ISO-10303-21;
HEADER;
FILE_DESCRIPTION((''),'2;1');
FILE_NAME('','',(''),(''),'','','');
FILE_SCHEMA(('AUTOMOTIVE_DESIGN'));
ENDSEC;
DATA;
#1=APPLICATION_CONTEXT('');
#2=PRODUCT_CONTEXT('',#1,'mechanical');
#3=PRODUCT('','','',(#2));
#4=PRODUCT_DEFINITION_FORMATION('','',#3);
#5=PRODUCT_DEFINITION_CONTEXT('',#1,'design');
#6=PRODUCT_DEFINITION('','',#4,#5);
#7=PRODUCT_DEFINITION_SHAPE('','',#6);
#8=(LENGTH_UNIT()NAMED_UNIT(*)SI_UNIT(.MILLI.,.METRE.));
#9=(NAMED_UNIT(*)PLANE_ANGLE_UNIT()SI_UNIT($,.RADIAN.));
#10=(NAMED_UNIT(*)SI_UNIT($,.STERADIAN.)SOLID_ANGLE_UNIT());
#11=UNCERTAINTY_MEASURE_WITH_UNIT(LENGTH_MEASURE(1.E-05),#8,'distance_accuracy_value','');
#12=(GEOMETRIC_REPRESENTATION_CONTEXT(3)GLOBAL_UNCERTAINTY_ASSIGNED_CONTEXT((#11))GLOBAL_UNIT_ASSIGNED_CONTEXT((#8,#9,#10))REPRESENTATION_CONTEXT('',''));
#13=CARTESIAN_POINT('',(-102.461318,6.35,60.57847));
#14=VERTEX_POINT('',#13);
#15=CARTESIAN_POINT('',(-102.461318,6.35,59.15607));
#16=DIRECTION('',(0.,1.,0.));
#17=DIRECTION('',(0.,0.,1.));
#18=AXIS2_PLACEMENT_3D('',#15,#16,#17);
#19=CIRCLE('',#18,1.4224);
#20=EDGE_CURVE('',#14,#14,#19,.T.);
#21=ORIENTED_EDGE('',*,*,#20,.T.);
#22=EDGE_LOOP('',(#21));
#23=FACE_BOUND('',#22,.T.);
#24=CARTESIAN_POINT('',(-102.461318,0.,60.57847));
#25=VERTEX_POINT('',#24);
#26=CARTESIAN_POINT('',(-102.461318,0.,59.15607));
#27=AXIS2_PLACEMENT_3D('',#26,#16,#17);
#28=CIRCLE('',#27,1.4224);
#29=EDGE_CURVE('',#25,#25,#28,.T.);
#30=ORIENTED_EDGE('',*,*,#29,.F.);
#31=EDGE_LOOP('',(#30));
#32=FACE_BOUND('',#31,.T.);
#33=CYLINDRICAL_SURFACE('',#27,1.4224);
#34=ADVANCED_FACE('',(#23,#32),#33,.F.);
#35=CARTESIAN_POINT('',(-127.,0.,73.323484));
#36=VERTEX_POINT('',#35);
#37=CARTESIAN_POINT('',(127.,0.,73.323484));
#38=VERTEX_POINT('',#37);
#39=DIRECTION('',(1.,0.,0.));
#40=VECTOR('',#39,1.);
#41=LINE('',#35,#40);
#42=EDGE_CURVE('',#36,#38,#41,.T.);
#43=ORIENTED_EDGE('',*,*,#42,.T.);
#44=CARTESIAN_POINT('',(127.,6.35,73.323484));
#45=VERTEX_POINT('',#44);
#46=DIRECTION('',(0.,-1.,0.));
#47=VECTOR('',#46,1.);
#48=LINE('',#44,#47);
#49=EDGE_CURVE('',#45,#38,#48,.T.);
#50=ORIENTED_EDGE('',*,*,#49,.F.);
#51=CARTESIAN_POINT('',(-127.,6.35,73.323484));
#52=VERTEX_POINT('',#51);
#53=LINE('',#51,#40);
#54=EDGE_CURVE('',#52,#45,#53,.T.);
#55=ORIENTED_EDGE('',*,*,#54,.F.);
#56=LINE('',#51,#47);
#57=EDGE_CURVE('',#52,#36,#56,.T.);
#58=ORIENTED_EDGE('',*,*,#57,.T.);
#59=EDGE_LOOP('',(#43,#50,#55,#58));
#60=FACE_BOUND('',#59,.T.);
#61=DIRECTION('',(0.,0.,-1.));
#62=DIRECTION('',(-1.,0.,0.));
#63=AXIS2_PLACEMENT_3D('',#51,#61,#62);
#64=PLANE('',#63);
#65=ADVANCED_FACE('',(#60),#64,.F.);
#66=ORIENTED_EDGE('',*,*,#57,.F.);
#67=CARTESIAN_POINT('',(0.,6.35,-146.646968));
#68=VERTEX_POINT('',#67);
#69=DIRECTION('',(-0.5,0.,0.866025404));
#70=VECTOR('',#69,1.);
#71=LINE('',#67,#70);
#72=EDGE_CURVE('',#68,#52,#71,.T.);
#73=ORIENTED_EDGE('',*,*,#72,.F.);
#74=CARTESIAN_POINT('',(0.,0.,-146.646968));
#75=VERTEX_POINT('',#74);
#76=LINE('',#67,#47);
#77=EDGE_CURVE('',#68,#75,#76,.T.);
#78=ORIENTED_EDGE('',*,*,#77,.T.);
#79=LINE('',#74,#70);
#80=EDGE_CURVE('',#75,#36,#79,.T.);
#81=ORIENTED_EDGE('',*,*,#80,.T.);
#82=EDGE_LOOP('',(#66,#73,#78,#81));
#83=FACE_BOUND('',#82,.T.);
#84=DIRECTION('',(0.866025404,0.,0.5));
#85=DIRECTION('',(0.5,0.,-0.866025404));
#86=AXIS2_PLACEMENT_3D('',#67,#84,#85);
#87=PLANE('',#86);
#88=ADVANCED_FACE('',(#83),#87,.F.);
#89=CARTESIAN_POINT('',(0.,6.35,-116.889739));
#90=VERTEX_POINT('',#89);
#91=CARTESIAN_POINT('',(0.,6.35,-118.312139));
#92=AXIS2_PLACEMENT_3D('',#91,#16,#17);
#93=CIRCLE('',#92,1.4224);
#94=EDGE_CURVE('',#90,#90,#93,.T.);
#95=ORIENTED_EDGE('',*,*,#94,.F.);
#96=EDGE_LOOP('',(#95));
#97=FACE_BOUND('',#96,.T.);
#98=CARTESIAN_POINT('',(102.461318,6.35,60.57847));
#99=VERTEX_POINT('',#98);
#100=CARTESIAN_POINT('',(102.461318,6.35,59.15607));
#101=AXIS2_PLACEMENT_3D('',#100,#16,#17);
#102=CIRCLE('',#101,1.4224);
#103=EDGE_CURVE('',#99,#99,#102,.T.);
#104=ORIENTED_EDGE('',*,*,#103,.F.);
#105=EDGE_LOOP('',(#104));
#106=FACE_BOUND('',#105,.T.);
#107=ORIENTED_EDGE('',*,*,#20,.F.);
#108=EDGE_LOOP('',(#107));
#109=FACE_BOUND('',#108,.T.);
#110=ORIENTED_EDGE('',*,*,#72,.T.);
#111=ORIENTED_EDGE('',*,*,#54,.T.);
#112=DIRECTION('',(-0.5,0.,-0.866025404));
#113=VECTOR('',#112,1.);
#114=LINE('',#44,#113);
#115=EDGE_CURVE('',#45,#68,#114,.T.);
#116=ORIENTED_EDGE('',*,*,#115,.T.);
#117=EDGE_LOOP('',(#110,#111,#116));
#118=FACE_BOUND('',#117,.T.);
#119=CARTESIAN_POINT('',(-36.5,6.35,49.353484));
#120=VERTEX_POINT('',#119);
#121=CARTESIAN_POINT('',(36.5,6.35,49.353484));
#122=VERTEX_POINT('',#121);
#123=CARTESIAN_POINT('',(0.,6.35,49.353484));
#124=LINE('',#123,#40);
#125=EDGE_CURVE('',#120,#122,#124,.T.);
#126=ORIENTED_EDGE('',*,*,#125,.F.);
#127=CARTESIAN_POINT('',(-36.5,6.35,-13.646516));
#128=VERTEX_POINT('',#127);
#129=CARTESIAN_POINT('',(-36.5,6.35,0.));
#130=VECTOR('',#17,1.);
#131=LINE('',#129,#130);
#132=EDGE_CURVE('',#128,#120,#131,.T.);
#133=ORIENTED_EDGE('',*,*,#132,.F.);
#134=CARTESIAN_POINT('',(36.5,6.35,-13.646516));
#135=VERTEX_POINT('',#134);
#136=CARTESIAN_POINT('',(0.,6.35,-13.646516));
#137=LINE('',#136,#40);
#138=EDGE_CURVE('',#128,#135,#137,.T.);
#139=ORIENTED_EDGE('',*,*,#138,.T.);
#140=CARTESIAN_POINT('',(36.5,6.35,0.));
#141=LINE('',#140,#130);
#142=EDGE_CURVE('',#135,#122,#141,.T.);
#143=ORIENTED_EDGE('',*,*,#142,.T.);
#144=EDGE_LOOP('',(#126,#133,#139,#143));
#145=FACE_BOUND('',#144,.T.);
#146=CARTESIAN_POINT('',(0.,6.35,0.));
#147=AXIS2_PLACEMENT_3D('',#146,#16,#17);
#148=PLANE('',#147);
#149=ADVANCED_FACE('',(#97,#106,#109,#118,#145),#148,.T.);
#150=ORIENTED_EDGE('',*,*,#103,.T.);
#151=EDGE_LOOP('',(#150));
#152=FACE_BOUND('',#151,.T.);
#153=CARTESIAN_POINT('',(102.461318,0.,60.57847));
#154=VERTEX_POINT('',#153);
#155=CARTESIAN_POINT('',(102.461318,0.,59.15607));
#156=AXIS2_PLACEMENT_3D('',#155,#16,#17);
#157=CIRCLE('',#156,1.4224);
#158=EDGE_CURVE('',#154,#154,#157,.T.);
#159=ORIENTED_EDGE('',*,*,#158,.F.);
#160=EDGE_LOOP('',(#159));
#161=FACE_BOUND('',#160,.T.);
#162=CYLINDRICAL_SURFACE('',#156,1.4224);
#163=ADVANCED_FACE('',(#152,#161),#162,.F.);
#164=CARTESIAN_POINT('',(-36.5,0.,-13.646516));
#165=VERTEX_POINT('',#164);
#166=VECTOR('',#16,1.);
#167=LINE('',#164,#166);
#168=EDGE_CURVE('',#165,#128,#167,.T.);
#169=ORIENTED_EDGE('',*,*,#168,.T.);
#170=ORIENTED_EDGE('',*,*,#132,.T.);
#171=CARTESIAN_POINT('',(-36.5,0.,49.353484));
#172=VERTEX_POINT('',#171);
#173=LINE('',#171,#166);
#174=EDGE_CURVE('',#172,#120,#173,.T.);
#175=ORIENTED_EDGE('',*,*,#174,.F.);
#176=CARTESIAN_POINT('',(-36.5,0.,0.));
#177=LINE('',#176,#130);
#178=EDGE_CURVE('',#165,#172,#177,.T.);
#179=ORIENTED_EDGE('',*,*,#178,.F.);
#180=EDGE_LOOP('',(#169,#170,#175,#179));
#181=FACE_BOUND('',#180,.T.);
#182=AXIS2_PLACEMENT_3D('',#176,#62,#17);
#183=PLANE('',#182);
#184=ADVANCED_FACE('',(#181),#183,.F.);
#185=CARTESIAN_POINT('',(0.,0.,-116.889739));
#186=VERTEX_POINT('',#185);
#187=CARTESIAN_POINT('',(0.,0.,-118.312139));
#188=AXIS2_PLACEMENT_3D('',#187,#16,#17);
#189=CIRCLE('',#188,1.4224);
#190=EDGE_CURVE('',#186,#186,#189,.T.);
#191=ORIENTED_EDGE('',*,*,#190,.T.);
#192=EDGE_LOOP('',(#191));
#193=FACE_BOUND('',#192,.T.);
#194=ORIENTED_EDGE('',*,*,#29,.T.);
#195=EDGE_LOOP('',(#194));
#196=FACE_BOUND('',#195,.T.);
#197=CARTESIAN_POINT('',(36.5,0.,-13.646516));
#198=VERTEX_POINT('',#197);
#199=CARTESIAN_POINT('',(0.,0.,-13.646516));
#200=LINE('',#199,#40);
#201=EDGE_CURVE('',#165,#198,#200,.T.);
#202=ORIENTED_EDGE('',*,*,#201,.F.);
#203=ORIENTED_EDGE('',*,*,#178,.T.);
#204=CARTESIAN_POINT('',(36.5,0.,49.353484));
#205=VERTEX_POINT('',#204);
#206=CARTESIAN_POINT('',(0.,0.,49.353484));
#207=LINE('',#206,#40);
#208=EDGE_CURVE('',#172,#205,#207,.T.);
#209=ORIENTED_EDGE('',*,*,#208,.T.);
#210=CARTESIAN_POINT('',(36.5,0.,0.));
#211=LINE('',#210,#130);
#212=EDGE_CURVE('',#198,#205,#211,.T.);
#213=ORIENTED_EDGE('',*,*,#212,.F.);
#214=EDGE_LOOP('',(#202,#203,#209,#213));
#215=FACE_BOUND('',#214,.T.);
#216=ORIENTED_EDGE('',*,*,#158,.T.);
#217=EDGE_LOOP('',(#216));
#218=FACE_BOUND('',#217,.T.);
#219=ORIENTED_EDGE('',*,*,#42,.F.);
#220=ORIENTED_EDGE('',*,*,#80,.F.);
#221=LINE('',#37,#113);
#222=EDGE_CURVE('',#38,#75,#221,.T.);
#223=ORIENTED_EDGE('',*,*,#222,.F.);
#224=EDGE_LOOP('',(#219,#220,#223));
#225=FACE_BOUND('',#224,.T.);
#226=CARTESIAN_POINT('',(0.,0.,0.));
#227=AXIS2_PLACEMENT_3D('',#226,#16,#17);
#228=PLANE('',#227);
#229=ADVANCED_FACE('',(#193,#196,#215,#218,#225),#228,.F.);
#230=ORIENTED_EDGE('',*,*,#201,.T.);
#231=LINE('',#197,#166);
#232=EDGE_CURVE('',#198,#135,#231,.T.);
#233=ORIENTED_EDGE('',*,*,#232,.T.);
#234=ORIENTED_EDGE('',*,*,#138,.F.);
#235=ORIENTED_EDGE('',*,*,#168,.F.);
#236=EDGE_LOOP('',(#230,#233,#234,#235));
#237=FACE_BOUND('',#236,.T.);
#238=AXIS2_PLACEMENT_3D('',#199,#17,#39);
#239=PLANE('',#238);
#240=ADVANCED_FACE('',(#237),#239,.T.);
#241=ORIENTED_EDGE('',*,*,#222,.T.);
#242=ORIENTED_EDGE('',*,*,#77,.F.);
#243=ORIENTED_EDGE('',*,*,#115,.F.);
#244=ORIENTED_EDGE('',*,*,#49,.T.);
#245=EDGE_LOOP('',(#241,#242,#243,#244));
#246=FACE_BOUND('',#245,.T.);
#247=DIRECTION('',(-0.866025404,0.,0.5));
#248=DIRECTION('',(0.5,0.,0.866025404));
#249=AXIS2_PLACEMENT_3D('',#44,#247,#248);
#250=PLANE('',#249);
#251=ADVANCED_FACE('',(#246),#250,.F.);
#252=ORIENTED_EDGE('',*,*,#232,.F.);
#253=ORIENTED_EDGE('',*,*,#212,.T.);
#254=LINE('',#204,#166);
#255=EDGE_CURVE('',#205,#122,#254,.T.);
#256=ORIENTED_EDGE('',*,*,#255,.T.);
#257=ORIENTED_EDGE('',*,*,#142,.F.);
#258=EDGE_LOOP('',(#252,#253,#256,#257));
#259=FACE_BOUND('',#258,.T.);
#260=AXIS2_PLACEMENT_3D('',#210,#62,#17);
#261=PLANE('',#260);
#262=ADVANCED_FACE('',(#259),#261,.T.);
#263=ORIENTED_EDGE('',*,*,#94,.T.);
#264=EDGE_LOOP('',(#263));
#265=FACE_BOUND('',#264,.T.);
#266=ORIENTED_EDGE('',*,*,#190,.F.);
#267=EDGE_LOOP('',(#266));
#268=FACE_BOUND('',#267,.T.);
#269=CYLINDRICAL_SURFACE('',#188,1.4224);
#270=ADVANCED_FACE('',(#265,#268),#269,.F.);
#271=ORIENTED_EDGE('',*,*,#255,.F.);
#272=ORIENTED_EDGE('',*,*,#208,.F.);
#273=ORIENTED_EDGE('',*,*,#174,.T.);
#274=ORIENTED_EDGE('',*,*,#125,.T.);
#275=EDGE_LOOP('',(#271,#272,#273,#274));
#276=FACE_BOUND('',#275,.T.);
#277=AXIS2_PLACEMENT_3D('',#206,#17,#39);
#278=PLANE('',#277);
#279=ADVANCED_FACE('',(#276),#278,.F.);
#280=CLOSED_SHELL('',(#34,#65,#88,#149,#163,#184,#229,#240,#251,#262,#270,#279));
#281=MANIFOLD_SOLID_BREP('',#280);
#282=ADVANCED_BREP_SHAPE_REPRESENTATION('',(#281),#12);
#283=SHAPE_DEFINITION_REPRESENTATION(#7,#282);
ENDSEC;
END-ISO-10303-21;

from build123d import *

# Parameters (mm, degrees)
BOSS_EXTRUDE1_DEPTH = 6.35
SKETCH2_W           = 36.5
SKETCH2_H           = 63
SKETCH2_R           = 1.4224
CUT_EXTRUDE2_DEPTH  = 195.099602868


with BuildPart() as part:
    # Sketch1 → Boss-Extrude1 (new body)
    with BuildSketch(Plane(origin=(0, 0, 0), x_dir=(1, 0, 0), z_dir=(0, 1, 0))):
        Polygon((0, 146.646968374), (-127, -73.323484187), (127, -73.323484187), align=None)
    extrude(amount=BOSS_EXTRUDE1_DEPTH)

    # Sketch2 → Cut-Extrude2 (cut, through all)
    with BuildSketch(Plane(origin=(0, 6.35, 0), x_dir=(1, 0, 0), z_dir=(0, 1, 0))):
        with Locations((-18.25, -17.853484187)):
            Rectangle(SKETCH2_W, SKETCH2_H)
        with Locations((18.25, -17.853484187)):
            Rectangle(SKETCH2_W, SKETCH2_H)
        with Locations(Location((0, 118.312139176, 0), (0, 0, 270))):
            Circle(SKETCH2_R)
        with Locations(Location((-102.461318102, -59.156069588, 0), (0, 0, 270))):
            Circle(SKETCH2_R)
        with Locations(Location((102.461318102, -59.156069588, 0), (0, 0, 270))):
            Circle(SKETCH2_R)
    extrude(amount=-CUT_EXTRUDE2_DEPTH, mode=Mode.SUBTRACT)


solid = part.part
